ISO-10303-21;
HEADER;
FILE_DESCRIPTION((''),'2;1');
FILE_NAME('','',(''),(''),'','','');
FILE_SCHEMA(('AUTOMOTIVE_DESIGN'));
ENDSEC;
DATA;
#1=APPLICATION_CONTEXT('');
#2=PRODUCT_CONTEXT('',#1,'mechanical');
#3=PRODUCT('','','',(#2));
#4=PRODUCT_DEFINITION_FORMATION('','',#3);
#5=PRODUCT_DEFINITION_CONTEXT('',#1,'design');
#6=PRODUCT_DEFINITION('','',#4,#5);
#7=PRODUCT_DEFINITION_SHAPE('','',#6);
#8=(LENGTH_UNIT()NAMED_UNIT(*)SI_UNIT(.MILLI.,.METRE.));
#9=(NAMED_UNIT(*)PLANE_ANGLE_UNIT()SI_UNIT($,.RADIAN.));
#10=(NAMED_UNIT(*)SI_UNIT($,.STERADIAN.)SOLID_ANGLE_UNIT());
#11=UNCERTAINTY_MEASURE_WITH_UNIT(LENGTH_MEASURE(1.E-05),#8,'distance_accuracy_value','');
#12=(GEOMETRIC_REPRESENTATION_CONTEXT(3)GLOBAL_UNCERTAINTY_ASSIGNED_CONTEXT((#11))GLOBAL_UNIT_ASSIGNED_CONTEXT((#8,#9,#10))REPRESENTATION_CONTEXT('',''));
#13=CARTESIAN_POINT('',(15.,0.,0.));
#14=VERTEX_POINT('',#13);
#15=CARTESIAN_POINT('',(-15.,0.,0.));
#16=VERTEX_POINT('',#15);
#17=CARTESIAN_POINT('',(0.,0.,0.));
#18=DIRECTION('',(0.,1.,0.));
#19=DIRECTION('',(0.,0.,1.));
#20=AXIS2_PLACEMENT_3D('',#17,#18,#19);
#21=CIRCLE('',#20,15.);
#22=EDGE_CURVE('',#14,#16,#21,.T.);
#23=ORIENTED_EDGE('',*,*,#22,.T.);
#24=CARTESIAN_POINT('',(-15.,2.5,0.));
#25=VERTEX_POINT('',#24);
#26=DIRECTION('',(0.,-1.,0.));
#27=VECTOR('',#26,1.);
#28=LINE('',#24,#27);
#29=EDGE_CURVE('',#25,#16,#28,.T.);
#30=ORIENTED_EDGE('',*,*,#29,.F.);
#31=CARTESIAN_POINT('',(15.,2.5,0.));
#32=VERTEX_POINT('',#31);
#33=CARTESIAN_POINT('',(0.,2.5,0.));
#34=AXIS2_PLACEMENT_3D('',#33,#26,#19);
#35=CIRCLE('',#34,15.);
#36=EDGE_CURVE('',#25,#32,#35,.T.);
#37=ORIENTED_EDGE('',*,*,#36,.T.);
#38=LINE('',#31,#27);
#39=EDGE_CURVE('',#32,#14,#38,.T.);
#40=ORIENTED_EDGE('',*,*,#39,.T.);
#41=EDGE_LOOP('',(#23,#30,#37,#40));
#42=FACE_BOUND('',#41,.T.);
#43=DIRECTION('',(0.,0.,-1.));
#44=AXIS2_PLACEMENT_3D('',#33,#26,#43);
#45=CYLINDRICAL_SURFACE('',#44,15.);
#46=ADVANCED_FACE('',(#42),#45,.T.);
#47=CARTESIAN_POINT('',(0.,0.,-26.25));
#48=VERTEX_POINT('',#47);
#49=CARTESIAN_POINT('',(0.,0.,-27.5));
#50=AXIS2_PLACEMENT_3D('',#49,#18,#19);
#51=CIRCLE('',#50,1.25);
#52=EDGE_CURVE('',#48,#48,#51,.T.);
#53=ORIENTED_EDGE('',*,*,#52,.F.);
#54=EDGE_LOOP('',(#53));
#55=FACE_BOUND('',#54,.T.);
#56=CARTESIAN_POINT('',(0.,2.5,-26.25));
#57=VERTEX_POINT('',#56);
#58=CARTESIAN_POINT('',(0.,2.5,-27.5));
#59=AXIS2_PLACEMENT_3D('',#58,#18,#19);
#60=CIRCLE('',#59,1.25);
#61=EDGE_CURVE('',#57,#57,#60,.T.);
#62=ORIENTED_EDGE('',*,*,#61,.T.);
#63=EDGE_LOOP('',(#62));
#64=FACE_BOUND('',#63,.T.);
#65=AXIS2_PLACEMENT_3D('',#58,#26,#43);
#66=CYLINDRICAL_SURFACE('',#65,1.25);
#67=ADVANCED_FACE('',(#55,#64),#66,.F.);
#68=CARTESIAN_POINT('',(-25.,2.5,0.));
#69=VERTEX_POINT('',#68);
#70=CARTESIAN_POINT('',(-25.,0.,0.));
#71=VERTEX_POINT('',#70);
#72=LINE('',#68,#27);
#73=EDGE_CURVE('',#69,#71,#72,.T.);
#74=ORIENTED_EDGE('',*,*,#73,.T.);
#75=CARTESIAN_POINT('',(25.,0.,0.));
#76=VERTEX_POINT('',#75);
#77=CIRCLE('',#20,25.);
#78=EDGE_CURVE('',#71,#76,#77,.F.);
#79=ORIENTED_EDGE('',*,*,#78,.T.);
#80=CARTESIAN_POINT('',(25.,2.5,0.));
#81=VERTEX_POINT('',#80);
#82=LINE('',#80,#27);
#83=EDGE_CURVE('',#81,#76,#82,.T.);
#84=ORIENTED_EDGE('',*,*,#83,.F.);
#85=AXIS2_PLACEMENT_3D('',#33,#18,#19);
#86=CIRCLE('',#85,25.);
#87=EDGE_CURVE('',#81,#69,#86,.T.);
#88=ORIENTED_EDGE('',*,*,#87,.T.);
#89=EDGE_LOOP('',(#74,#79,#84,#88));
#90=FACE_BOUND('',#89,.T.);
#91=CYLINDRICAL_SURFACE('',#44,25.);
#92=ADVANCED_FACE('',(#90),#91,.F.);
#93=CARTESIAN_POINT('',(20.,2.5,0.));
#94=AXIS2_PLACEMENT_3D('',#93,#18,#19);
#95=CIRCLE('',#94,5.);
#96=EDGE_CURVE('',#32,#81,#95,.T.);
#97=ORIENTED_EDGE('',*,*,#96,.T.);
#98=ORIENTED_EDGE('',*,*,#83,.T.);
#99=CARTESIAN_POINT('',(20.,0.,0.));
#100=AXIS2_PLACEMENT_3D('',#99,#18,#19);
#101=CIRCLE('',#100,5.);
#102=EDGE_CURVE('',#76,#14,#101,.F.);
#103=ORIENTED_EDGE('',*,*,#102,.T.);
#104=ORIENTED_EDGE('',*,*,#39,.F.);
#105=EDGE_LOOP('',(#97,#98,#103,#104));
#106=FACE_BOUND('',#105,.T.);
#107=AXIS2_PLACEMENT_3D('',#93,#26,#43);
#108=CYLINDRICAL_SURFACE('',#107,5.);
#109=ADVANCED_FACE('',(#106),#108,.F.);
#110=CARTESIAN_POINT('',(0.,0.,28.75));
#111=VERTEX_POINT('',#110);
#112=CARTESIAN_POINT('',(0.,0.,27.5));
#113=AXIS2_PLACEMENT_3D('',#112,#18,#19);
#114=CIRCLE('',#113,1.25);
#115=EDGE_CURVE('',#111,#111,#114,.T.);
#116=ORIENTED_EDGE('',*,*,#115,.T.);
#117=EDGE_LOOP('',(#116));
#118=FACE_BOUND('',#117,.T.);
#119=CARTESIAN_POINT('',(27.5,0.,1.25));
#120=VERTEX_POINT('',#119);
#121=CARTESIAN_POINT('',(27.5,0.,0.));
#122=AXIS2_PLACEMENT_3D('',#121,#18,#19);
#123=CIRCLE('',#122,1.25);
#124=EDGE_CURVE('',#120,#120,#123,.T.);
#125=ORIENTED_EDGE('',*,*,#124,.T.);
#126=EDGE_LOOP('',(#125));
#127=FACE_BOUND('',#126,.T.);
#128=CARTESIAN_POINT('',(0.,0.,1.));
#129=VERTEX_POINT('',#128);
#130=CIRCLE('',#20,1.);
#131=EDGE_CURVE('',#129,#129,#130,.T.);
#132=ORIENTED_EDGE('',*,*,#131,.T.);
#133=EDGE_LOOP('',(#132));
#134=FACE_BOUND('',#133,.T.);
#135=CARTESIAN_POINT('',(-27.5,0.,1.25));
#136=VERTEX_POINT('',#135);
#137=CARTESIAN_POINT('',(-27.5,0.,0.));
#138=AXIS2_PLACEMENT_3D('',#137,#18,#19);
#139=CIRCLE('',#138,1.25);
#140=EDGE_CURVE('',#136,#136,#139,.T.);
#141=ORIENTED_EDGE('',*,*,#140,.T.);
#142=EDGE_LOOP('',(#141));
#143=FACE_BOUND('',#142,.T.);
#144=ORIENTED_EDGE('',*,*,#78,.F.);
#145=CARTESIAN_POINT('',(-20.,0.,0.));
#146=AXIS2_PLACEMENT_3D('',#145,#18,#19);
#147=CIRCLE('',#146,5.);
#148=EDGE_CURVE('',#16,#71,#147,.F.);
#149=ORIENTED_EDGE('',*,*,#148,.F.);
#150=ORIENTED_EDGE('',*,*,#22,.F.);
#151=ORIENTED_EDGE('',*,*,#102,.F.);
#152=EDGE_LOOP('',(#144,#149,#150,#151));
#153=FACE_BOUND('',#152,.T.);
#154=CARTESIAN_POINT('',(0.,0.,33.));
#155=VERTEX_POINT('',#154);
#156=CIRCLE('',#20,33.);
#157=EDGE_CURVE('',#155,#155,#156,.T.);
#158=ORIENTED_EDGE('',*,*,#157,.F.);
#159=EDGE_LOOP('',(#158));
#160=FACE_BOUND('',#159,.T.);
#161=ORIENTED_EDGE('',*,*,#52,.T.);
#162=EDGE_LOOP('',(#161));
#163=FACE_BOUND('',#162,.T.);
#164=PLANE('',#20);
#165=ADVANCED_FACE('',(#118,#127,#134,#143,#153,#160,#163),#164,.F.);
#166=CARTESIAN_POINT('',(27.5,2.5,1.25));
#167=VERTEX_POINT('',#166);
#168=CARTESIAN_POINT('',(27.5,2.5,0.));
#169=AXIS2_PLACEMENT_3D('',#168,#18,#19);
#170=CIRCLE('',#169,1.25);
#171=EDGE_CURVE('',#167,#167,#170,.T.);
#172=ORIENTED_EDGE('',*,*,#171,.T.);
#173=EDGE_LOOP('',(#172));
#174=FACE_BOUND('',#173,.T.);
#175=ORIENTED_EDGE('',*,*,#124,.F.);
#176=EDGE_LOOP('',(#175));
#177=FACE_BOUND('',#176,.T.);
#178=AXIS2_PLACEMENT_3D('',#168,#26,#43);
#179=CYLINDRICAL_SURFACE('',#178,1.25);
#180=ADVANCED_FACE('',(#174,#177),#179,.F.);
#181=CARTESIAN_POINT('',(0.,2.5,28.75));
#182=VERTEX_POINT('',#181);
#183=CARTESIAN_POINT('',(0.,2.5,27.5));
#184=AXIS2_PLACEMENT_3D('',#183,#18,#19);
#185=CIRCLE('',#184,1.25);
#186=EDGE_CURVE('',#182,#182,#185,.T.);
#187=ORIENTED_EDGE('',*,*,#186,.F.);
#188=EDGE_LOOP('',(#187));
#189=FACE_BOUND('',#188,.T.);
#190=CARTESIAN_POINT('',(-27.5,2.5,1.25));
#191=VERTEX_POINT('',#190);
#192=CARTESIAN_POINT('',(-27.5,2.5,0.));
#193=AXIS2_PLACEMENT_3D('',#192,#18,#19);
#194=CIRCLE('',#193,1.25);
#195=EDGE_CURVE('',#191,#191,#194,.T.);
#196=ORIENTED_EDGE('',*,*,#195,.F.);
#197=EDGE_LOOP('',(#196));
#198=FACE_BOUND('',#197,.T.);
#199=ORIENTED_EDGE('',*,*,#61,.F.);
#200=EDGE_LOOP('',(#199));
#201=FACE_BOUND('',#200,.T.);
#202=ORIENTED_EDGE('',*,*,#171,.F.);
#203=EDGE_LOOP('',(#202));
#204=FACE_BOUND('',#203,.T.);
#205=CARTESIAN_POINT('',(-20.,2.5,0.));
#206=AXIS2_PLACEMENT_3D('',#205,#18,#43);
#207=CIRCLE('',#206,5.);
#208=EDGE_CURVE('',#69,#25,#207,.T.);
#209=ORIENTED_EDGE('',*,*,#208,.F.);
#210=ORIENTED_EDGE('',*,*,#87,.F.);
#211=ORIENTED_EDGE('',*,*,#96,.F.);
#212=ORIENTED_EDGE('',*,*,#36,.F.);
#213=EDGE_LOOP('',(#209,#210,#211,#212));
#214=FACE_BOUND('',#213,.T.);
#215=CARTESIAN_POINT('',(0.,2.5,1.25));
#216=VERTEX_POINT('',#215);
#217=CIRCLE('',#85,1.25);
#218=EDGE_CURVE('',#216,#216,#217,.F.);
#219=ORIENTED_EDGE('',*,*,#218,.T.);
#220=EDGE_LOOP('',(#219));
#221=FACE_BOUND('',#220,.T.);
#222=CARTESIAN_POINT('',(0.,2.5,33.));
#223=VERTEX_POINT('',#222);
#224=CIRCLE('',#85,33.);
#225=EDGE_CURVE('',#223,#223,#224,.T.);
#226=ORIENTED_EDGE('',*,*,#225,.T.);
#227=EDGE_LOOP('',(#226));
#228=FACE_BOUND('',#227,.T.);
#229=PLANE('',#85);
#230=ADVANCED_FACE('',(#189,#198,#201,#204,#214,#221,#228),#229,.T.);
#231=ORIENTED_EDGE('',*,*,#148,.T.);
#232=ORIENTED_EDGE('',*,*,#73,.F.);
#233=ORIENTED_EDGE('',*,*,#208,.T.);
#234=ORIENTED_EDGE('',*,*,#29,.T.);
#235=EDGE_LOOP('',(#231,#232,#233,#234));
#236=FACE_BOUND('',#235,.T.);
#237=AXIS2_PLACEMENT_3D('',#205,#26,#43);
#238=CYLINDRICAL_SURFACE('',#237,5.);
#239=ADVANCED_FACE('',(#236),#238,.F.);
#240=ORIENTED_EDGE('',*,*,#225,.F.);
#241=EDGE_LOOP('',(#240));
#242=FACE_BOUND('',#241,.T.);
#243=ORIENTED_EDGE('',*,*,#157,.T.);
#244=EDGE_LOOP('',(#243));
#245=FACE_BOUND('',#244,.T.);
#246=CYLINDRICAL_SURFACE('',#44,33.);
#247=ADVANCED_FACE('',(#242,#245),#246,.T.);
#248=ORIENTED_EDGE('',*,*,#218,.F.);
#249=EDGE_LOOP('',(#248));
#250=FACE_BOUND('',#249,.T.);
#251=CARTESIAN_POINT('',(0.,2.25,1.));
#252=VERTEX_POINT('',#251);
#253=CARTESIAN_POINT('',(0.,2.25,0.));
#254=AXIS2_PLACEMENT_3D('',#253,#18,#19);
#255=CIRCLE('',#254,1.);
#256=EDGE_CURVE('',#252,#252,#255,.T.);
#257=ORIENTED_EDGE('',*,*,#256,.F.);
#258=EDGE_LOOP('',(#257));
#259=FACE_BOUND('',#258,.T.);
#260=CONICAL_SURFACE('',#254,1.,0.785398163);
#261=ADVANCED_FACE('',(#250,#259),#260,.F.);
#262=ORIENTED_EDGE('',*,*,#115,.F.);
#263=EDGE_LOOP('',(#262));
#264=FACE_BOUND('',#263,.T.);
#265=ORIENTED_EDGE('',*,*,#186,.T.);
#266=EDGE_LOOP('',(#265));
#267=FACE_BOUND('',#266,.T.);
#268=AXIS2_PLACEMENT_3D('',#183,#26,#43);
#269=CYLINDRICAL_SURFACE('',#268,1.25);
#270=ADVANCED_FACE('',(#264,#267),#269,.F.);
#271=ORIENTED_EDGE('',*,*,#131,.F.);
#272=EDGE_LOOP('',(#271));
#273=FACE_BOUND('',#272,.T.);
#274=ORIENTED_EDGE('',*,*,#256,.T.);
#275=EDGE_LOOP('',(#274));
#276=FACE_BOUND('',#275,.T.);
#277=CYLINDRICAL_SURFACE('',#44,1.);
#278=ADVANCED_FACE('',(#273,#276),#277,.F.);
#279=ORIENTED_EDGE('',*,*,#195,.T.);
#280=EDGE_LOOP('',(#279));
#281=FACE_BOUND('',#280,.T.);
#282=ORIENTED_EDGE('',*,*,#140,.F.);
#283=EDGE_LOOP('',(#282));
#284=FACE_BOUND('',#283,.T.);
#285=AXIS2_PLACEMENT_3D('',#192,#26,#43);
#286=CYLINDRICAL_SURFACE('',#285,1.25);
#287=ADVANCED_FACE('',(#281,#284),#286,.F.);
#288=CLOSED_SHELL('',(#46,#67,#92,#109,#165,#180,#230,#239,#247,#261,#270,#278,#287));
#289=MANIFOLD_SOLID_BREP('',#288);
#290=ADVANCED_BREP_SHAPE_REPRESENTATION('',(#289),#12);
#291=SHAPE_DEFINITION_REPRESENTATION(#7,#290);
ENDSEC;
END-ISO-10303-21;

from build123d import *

# Parameters (mm, degrees)
SKETCH1_R               = 33
SKETCH1_R_2             = 1.25
SKETCH1_R_3             = 1
BOSS_EXTRUDE2_DEPTH     = 2.5
CUT_EXTRUDE1_DEPTH      = 3.5
CUT_EXTRUDE1_DEPTH_BACK = 10
CHAMFER5_SIZE           = 0.25


with BuildPart() as part:
    # Sketch1 → Boss-Extrude2 (new body)
    with BuildSketch(Plane(origin=(0, 0, 0), x_dir=(1, 0, 0), z_dir=(0, 1, 0))):
        Circle(SKETCH1_R)
        with Locations((0, 27.5)):
            Circle(SKETCH1_R_2, mode=Mode.SUBTRACT)
        with Locations((27.5, 0)):
            Circle(SKETCH1_R_2, mode=Mode.SUBTRACT)
        with Locations((0, -27.5)):
            Circle(SKETCH1_R_2, mode=Mode.SUBTRACT)
        with Locations((-27.5, 0)):
            Circle(SKETCH1_R_2, mode=Mode.SUBTRACT)
        Circle(SKETCH1_R_3, mode=Mode.SUBTRACT)
    extrude(amount=BOSS_EXTRUDE2_DEPTH)

    # Sketch2 → Cut-Extrude1 (cut, two sides)
    with BuildSketch(Plane(origin=(0, 0, 0), x_dir=(1, 0, 0), z_dir=(0, 1, 0))) as cut_extrude1_sk:
        with BuildLine():
            ThreePointArc((25, 0), (0, 25), (-25, 0))
            ThreePointArc((-25, 0), (-20, -5), (-15, 0))
            ThreePointArc((-15, 0), (0, 15), (15, 0))
            ThreePointArc((15, 0), (20, -5), (25, 0))
        make_face()
    extrude(amount=CUT_EXTRUDE1_DEPTH, mode=Mode.SUBTRACT)
    extrude(cut_extrude1_sk.sketch, amount=-CUT_EXTRUDE1_DEPTH_BACK, mode=Mode.SUBTRACT)

    # Chamfer5
    chamfer5_edges = [part.edges().sort_by_distance(p)[0] for p in [
        (-1, 2.5, 0),
    ]]
    chamfer(chamfer5_edges, length=CHAMFER5_SIZE)


solid = part.part
